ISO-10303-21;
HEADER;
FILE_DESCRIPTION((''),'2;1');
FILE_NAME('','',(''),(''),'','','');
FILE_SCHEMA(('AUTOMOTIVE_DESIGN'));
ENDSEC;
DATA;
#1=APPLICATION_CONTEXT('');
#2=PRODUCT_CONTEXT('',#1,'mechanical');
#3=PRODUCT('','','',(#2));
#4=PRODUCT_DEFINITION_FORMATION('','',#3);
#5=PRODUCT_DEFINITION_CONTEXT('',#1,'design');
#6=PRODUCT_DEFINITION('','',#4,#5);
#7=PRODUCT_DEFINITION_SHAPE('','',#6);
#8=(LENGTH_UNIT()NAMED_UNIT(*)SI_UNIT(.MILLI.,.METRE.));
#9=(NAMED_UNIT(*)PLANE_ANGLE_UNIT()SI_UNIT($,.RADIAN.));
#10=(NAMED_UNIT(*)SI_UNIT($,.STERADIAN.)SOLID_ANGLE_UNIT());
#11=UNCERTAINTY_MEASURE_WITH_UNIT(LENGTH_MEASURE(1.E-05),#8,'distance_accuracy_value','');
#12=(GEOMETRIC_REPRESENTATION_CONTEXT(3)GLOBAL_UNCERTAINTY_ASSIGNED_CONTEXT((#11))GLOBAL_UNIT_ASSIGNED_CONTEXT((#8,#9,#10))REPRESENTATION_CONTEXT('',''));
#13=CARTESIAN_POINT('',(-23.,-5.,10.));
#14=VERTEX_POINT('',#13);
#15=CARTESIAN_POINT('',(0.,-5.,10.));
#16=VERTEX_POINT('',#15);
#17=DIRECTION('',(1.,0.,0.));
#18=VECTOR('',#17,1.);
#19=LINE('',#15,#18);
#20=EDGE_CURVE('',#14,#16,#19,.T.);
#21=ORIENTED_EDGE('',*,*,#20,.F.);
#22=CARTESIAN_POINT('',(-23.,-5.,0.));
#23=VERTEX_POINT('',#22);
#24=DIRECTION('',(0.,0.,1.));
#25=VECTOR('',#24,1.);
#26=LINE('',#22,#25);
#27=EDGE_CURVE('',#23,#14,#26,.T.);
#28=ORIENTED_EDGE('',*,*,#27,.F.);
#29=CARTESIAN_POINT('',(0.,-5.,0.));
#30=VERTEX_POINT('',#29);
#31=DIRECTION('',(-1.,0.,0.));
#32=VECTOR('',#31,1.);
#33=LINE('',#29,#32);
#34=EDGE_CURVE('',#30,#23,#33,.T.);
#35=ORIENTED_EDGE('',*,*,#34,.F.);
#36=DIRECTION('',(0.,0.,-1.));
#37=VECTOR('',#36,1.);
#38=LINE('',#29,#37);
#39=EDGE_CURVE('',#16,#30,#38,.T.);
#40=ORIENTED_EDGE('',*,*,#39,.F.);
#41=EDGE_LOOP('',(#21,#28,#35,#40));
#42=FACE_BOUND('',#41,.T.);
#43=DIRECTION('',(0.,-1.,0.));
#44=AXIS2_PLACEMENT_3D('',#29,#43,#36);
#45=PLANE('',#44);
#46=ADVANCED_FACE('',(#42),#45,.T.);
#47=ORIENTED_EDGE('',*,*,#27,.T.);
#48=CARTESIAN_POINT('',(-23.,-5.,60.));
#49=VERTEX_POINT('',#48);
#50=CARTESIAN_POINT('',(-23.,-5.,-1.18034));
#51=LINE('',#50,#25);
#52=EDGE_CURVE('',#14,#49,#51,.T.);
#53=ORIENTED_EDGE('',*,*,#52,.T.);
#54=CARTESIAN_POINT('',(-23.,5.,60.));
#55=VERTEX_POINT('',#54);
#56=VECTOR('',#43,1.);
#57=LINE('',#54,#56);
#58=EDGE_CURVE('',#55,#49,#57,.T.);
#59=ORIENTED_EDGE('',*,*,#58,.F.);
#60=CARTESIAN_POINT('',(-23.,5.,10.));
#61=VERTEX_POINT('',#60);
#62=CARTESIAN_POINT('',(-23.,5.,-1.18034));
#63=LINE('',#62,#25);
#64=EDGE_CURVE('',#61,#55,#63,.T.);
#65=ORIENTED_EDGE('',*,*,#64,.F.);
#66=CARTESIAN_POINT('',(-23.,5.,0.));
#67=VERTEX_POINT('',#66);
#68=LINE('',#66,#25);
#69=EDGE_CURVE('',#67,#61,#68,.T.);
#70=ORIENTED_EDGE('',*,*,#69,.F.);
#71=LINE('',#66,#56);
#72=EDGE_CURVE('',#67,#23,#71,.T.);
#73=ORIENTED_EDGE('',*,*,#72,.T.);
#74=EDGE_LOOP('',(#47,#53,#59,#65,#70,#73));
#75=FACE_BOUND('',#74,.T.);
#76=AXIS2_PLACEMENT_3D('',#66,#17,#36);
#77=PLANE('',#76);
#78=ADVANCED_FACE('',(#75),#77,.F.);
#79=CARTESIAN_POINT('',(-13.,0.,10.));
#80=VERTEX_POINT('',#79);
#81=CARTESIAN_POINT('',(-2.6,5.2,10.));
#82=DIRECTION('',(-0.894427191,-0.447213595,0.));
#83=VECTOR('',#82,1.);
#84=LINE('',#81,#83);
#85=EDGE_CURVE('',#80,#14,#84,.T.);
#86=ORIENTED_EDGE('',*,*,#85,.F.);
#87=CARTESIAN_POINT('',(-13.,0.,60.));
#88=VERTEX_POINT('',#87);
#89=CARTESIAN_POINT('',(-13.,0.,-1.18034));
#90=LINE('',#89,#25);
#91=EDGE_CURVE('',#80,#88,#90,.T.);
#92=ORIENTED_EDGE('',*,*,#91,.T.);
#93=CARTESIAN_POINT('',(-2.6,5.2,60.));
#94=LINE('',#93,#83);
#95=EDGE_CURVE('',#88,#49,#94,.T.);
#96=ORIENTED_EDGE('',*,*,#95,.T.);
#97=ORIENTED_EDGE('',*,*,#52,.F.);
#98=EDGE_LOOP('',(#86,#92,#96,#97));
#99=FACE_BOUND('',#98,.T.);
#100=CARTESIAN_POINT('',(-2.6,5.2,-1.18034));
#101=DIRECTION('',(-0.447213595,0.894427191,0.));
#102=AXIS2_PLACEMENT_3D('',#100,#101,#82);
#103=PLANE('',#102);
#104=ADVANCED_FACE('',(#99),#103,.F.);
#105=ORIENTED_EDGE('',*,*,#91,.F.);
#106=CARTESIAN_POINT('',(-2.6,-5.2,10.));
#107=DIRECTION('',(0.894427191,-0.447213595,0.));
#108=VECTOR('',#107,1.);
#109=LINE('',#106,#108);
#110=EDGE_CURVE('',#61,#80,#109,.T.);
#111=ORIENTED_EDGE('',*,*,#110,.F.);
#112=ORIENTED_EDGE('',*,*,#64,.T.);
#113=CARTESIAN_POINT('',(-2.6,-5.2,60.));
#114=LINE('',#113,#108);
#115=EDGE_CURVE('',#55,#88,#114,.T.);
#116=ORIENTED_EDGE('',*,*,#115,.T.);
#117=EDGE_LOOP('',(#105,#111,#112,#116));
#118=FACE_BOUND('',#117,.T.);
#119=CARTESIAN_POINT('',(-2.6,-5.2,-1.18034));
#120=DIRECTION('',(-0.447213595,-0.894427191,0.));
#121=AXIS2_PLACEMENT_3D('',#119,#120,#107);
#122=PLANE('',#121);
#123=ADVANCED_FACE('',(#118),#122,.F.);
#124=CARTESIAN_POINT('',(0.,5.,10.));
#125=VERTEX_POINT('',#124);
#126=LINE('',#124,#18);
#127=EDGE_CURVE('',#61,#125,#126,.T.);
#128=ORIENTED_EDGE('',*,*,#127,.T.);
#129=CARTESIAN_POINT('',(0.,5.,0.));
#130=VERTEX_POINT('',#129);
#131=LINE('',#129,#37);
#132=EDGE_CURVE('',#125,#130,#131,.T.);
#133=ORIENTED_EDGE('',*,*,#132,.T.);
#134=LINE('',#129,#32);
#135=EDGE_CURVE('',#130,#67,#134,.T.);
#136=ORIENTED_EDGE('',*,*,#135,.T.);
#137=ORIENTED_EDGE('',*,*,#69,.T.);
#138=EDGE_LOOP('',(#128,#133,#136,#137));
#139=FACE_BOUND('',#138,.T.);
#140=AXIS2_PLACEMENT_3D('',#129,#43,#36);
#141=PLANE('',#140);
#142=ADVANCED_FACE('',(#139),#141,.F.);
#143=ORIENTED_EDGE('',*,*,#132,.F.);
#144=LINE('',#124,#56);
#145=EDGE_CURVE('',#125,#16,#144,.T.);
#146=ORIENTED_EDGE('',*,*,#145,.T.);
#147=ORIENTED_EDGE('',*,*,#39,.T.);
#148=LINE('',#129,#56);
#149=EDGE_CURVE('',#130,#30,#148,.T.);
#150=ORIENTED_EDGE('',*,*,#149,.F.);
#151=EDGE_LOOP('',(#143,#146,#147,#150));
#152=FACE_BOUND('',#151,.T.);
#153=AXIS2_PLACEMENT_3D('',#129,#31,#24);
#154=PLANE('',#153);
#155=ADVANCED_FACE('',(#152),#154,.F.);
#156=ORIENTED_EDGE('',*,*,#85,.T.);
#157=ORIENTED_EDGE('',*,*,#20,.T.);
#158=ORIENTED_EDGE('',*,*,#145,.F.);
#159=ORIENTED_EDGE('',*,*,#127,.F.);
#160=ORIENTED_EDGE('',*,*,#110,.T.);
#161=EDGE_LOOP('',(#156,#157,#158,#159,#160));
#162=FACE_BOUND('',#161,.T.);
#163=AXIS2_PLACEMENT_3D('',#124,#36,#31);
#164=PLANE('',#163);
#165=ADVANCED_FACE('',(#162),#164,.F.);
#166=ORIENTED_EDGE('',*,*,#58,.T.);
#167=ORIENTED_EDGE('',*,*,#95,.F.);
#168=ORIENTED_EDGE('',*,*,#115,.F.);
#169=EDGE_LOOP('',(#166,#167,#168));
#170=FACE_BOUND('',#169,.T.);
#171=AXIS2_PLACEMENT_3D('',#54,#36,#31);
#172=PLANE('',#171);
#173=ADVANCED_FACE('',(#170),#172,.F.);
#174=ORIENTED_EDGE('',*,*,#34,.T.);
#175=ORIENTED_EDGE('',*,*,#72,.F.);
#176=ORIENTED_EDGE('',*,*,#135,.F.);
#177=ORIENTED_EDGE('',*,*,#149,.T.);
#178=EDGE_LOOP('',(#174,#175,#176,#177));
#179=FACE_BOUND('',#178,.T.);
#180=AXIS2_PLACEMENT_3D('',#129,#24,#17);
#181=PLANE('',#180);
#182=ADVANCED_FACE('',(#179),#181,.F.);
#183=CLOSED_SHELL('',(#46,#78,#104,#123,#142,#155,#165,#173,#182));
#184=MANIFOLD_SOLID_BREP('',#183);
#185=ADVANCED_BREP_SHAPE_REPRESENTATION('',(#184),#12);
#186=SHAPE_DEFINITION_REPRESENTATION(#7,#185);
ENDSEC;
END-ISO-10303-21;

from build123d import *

# Parameters (mm, degrees)
BOSS_EXTRUDE1_DEPTH = 5
CUT_EXTRUDE1_DEPTH  = 50


with BuildPart() as part:
    # Sketch1 → Boss-Extrude1 (new, symmetric)
    with BuildSketch(Plane(origin=(0, 0, 0), x_dir=(1, 0, 0), z_dir=(0, 1, 0))):
        Polygon((0, 0), (-23, 0), (-23, -60), (-13, -60), (-13, -10), (0, -10), align=None)
    extrude(amount=BOSS_EXTRUDE1_DEPTH, both=True)

    # Sketch2 → Cut-Extrude1 (cut)
    with BuildSketch(Plane.XY.offset(60)):
        Polygon((-13, 5), (-23, 5), (-13, 0), align=None)
        Polygon((-13, -5), (-13, 0), (-23, -5), align=None)
    extrude(amount=-CUT_EXTRUDE1_DEPTH, mode=Mode.SUBTRACT)


solid = part.part
